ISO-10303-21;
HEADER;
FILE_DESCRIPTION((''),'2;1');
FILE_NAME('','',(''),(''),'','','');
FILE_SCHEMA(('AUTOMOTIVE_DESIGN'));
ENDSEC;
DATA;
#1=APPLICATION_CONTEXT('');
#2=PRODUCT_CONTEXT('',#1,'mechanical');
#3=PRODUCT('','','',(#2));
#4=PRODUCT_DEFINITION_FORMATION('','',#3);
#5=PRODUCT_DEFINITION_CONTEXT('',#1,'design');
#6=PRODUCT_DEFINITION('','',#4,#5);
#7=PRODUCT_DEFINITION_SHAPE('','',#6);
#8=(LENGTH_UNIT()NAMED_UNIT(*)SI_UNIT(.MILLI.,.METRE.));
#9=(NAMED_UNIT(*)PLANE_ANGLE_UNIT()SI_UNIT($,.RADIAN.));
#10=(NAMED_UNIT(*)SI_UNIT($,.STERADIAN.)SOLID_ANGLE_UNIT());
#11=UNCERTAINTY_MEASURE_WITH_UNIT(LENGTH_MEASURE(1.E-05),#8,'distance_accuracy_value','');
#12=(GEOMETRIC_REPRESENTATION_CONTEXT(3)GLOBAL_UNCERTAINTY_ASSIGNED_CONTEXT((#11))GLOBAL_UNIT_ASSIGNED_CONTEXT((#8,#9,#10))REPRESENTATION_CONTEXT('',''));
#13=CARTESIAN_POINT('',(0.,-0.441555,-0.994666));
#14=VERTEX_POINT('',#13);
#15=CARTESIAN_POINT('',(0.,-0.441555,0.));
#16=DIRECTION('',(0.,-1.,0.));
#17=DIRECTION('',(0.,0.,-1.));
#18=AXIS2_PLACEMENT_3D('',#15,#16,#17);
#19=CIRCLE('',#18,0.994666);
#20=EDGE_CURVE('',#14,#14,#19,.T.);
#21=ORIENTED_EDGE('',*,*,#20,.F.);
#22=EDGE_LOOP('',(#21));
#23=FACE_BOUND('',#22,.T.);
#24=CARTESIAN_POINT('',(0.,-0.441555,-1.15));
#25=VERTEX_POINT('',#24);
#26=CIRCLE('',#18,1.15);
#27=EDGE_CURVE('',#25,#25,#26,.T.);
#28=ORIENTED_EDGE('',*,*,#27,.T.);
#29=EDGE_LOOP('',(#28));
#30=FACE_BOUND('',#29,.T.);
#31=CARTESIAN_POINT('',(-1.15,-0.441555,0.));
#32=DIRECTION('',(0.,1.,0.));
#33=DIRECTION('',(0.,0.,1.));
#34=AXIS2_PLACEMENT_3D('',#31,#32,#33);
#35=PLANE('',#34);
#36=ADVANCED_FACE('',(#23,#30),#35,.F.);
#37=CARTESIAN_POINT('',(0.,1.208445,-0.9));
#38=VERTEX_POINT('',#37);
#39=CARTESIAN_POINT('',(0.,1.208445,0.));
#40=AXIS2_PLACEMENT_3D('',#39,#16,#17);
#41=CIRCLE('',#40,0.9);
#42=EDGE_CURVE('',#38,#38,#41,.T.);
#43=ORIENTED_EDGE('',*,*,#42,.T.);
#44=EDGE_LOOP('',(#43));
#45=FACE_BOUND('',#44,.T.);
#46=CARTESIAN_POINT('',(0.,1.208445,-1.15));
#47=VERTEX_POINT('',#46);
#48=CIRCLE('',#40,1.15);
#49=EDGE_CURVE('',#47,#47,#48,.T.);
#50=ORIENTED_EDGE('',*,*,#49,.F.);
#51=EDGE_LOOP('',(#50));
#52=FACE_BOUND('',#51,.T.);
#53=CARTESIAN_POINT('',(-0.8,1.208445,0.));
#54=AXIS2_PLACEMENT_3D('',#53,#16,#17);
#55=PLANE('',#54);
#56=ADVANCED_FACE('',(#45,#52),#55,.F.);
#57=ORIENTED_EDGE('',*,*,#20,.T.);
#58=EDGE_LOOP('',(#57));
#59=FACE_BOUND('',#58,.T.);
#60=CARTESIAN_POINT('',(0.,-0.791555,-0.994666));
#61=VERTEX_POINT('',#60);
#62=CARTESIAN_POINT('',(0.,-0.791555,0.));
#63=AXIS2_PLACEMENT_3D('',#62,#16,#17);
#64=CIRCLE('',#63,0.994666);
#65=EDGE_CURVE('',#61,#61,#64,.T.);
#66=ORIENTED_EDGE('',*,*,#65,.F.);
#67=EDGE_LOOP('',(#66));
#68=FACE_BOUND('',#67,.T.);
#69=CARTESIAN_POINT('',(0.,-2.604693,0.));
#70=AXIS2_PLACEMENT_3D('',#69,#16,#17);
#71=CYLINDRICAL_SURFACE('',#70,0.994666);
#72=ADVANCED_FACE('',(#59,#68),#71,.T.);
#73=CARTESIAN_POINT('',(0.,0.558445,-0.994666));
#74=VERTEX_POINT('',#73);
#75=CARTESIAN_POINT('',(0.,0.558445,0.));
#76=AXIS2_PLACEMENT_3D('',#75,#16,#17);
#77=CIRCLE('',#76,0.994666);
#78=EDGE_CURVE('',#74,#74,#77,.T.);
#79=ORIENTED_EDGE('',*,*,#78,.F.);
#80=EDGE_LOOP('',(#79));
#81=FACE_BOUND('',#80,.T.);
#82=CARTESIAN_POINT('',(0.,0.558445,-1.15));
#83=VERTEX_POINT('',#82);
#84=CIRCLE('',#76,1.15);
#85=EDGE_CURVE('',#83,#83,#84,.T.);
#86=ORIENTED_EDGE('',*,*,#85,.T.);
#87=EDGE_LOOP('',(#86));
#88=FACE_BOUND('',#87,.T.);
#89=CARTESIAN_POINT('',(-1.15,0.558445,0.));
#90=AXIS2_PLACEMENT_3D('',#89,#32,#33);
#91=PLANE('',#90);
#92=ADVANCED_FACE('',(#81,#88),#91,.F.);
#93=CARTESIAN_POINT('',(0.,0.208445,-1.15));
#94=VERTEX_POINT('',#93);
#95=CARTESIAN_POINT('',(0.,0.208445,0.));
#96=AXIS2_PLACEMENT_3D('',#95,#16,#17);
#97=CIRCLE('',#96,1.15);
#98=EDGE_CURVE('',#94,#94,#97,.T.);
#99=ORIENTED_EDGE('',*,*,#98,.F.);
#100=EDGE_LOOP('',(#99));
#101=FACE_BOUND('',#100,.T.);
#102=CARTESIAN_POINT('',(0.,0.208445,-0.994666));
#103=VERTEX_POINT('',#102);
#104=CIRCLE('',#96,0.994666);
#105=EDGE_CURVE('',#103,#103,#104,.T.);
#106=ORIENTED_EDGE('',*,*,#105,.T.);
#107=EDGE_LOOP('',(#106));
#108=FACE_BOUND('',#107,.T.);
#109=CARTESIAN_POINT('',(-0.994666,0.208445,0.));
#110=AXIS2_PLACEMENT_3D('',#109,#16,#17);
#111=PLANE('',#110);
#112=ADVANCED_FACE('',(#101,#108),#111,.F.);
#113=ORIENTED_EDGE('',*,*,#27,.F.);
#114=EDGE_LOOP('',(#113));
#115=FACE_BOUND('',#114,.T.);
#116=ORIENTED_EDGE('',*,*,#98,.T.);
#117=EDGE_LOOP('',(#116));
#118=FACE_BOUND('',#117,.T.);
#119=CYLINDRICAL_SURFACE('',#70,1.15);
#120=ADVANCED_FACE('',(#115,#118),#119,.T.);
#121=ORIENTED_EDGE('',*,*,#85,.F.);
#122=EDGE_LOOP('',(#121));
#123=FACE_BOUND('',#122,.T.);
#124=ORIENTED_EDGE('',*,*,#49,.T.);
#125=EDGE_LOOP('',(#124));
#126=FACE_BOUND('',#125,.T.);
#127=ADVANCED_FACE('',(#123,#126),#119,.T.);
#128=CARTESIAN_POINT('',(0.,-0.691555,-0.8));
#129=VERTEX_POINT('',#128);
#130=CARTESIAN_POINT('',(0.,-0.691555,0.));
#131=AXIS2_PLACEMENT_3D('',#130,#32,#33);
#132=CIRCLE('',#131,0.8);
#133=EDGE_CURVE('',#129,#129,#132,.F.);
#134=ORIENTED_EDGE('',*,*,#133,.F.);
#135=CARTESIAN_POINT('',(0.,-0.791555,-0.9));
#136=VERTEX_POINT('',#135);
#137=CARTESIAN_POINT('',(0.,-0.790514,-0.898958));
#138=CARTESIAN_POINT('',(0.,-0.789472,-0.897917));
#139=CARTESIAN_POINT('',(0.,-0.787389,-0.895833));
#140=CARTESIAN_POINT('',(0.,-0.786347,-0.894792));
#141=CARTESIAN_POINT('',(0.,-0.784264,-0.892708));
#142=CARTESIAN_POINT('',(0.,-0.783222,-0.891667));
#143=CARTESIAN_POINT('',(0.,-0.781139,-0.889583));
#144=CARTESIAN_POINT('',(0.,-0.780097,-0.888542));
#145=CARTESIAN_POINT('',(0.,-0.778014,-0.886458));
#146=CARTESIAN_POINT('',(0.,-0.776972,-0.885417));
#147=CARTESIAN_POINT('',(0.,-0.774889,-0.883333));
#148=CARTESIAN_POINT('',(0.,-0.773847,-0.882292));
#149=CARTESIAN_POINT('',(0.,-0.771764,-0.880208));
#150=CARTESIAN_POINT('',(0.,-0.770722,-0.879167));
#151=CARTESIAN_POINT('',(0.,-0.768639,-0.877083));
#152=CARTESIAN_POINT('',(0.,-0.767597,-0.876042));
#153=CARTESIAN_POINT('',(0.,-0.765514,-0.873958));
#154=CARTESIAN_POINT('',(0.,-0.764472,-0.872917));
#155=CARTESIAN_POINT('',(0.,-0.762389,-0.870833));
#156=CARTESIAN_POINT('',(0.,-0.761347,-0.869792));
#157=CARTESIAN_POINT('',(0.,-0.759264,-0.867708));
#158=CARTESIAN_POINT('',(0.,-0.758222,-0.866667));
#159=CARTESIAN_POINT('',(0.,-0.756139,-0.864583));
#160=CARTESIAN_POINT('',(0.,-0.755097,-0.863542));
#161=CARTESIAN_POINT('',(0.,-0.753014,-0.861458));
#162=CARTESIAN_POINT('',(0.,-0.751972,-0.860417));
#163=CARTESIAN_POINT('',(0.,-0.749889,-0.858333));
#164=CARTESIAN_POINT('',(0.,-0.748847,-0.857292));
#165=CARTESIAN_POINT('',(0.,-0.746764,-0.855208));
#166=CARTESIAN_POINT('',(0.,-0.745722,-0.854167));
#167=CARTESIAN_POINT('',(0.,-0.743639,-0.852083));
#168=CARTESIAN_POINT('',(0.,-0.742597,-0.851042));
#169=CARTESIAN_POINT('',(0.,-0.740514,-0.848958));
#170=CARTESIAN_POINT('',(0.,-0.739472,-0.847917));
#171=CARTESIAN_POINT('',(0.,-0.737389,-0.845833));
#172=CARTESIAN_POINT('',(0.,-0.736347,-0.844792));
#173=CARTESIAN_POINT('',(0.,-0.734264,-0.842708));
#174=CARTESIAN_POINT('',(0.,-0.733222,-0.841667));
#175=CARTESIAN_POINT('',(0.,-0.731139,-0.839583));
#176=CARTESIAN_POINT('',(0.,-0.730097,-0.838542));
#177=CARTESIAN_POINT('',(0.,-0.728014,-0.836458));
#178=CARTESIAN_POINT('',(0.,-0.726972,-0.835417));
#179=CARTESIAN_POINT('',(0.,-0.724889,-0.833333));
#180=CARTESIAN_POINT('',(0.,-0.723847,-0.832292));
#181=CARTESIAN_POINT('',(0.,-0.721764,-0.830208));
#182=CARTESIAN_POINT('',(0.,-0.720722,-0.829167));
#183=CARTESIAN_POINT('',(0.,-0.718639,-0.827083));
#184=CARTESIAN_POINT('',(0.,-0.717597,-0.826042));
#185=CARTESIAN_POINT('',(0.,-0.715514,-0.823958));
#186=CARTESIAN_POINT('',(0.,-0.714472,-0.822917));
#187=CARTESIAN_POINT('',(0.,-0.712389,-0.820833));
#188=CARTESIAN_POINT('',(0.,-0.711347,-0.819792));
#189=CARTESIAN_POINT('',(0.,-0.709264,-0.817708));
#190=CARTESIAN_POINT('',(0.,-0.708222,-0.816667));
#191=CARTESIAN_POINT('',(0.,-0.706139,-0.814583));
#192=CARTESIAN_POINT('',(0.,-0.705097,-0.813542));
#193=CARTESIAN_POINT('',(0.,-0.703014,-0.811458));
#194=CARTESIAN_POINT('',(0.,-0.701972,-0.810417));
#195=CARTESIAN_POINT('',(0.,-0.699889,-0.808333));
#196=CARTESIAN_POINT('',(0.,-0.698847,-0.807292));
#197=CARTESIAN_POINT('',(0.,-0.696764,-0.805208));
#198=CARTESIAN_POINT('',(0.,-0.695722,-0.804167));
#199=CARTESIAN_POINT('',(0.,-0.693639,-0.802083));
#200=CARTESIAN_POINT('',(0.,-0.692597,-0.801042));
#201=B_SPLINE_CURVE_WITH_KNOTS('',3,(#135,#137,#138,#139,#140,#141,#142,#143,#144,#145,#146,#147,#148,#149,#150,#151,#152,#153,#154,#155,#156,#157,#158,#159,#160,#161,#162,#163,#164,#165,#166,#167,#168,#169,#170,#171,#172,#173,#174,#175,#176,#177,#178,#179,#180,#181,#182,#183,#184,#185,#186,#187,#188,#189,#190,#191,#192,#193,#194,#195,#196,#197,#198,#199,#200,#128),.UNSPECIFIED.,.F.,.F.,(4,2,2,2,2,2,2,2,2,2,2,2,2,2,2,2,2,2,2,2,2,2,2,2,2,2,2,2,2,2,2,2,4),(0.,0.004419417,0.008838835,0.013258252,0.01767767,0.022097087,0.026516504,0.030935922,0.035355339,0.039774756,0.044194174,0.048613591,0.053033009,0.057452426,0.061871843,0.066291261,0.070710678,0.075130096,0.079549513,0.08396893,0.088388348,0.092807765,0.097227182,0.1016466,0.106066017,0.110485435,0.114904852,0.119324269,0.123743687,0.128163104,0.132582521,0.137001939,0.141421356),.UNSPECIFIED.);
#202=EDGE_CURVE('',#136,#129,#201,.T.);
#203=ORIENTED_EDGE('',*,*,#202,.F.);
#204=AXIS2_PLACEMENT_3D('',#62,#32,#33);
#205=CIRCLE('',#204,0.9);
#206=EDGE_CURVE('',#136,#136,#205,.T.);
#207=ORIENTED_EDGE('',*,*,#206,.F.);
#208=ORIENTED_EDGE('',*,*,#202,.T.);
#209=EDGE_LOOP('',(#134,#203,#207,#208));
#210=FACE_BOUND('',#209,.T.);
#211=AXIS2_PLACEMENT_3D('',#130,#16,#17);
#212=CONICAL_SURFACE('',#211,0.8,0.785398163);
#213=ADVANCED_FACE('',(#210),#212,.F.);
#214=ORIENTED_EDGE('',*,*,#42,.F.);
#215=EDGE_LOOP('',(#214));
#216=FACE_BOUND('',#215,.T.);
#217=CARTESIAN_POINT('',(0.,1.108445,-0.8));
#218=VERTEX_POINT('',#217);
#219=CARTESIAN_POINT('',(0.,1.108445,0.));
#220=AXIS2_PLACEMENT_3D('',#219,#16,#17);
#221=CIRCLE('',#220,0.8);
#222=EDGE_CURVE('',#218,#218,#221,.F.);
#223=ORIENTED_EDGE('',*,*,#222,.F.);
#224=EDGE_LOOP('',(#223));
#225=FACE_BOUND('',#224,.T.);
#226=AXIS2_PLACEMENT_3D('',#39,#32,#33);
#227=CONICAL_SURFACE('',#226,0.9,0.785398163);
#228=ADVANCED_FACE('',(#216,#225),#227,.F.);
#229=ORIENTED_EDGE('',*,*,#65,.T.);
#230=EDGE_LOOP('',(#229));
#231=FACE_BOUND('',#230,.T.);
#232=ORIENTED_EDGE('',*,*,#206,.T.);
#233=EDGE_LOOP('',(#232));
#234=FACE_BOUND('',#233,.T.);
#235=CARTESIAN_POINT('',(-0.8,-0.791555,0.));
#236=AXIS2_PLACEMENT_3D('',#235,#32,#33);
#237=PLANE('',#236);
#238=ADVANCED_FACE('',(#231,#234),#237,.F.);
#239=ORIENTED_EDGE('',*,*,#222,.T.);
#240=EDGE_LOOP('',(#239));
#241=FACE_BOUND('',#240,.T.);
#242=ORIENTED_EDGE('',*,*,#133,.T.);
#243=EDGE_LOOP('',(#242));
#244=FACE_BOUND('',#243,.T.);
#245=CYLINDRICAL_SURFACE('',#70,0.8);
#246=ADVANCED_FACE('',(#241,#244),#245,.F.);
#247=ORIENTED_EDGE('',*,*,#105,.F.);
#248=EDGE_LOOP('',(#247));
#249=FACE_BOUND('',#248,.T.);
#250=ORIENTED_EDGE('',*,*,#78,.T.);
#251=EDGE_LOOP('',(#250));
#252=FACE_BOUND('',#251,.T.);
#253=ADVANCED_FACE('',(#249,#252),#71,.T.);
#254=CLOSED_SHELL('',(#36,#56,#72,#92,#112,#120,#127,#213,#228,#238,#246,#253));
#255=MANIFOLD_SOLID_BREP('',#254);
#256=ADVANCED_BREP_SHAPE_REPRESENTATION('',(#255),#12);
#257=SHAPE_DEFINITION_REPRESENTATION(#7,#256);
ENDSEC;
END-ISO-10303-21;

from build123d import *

# Parameters (mm, degrees)
CHAMFER_1_SIZE = 0.1


with BuildPart() as part:
    # 草图1 → 旋转1 (revolve)
    with BuildSketch(Plane.XY, mode=Mode.PRIVATE) as revolve_1_sk:
        Polygon((-0.8, 1.2084448), (-1.15, 1.2084448), (-1.15, 0.5584448), (-0.994666244, 0.5584448), (-0.994666244, 0.2084448), (-1.15, 0.2084448), (-1.15, -0.4415552), (-0.994666244, -0.4415552), (-0.994666244, -0.7915552), (-0.8, -0.7915552), align=None)
    revolve(revolve_1_sk.sketch.rotate(Axis((0, -2.604693141, 0), (0, 1, 0)), 270), axis=Axis((0, -2.604693141, 0), (0, 1, 0)))

    # 倒角1
    chamfer_1_edges = [part.edges().sort_by_distance(p)[0] for p in [
        (0, 1.2084448, 0.8),
        (0, -0.7915552, 0.8),
    ]]
    chamfer(chamfer_1_edges, length=CHAMFER_1_SIZE)


solid = part.part
